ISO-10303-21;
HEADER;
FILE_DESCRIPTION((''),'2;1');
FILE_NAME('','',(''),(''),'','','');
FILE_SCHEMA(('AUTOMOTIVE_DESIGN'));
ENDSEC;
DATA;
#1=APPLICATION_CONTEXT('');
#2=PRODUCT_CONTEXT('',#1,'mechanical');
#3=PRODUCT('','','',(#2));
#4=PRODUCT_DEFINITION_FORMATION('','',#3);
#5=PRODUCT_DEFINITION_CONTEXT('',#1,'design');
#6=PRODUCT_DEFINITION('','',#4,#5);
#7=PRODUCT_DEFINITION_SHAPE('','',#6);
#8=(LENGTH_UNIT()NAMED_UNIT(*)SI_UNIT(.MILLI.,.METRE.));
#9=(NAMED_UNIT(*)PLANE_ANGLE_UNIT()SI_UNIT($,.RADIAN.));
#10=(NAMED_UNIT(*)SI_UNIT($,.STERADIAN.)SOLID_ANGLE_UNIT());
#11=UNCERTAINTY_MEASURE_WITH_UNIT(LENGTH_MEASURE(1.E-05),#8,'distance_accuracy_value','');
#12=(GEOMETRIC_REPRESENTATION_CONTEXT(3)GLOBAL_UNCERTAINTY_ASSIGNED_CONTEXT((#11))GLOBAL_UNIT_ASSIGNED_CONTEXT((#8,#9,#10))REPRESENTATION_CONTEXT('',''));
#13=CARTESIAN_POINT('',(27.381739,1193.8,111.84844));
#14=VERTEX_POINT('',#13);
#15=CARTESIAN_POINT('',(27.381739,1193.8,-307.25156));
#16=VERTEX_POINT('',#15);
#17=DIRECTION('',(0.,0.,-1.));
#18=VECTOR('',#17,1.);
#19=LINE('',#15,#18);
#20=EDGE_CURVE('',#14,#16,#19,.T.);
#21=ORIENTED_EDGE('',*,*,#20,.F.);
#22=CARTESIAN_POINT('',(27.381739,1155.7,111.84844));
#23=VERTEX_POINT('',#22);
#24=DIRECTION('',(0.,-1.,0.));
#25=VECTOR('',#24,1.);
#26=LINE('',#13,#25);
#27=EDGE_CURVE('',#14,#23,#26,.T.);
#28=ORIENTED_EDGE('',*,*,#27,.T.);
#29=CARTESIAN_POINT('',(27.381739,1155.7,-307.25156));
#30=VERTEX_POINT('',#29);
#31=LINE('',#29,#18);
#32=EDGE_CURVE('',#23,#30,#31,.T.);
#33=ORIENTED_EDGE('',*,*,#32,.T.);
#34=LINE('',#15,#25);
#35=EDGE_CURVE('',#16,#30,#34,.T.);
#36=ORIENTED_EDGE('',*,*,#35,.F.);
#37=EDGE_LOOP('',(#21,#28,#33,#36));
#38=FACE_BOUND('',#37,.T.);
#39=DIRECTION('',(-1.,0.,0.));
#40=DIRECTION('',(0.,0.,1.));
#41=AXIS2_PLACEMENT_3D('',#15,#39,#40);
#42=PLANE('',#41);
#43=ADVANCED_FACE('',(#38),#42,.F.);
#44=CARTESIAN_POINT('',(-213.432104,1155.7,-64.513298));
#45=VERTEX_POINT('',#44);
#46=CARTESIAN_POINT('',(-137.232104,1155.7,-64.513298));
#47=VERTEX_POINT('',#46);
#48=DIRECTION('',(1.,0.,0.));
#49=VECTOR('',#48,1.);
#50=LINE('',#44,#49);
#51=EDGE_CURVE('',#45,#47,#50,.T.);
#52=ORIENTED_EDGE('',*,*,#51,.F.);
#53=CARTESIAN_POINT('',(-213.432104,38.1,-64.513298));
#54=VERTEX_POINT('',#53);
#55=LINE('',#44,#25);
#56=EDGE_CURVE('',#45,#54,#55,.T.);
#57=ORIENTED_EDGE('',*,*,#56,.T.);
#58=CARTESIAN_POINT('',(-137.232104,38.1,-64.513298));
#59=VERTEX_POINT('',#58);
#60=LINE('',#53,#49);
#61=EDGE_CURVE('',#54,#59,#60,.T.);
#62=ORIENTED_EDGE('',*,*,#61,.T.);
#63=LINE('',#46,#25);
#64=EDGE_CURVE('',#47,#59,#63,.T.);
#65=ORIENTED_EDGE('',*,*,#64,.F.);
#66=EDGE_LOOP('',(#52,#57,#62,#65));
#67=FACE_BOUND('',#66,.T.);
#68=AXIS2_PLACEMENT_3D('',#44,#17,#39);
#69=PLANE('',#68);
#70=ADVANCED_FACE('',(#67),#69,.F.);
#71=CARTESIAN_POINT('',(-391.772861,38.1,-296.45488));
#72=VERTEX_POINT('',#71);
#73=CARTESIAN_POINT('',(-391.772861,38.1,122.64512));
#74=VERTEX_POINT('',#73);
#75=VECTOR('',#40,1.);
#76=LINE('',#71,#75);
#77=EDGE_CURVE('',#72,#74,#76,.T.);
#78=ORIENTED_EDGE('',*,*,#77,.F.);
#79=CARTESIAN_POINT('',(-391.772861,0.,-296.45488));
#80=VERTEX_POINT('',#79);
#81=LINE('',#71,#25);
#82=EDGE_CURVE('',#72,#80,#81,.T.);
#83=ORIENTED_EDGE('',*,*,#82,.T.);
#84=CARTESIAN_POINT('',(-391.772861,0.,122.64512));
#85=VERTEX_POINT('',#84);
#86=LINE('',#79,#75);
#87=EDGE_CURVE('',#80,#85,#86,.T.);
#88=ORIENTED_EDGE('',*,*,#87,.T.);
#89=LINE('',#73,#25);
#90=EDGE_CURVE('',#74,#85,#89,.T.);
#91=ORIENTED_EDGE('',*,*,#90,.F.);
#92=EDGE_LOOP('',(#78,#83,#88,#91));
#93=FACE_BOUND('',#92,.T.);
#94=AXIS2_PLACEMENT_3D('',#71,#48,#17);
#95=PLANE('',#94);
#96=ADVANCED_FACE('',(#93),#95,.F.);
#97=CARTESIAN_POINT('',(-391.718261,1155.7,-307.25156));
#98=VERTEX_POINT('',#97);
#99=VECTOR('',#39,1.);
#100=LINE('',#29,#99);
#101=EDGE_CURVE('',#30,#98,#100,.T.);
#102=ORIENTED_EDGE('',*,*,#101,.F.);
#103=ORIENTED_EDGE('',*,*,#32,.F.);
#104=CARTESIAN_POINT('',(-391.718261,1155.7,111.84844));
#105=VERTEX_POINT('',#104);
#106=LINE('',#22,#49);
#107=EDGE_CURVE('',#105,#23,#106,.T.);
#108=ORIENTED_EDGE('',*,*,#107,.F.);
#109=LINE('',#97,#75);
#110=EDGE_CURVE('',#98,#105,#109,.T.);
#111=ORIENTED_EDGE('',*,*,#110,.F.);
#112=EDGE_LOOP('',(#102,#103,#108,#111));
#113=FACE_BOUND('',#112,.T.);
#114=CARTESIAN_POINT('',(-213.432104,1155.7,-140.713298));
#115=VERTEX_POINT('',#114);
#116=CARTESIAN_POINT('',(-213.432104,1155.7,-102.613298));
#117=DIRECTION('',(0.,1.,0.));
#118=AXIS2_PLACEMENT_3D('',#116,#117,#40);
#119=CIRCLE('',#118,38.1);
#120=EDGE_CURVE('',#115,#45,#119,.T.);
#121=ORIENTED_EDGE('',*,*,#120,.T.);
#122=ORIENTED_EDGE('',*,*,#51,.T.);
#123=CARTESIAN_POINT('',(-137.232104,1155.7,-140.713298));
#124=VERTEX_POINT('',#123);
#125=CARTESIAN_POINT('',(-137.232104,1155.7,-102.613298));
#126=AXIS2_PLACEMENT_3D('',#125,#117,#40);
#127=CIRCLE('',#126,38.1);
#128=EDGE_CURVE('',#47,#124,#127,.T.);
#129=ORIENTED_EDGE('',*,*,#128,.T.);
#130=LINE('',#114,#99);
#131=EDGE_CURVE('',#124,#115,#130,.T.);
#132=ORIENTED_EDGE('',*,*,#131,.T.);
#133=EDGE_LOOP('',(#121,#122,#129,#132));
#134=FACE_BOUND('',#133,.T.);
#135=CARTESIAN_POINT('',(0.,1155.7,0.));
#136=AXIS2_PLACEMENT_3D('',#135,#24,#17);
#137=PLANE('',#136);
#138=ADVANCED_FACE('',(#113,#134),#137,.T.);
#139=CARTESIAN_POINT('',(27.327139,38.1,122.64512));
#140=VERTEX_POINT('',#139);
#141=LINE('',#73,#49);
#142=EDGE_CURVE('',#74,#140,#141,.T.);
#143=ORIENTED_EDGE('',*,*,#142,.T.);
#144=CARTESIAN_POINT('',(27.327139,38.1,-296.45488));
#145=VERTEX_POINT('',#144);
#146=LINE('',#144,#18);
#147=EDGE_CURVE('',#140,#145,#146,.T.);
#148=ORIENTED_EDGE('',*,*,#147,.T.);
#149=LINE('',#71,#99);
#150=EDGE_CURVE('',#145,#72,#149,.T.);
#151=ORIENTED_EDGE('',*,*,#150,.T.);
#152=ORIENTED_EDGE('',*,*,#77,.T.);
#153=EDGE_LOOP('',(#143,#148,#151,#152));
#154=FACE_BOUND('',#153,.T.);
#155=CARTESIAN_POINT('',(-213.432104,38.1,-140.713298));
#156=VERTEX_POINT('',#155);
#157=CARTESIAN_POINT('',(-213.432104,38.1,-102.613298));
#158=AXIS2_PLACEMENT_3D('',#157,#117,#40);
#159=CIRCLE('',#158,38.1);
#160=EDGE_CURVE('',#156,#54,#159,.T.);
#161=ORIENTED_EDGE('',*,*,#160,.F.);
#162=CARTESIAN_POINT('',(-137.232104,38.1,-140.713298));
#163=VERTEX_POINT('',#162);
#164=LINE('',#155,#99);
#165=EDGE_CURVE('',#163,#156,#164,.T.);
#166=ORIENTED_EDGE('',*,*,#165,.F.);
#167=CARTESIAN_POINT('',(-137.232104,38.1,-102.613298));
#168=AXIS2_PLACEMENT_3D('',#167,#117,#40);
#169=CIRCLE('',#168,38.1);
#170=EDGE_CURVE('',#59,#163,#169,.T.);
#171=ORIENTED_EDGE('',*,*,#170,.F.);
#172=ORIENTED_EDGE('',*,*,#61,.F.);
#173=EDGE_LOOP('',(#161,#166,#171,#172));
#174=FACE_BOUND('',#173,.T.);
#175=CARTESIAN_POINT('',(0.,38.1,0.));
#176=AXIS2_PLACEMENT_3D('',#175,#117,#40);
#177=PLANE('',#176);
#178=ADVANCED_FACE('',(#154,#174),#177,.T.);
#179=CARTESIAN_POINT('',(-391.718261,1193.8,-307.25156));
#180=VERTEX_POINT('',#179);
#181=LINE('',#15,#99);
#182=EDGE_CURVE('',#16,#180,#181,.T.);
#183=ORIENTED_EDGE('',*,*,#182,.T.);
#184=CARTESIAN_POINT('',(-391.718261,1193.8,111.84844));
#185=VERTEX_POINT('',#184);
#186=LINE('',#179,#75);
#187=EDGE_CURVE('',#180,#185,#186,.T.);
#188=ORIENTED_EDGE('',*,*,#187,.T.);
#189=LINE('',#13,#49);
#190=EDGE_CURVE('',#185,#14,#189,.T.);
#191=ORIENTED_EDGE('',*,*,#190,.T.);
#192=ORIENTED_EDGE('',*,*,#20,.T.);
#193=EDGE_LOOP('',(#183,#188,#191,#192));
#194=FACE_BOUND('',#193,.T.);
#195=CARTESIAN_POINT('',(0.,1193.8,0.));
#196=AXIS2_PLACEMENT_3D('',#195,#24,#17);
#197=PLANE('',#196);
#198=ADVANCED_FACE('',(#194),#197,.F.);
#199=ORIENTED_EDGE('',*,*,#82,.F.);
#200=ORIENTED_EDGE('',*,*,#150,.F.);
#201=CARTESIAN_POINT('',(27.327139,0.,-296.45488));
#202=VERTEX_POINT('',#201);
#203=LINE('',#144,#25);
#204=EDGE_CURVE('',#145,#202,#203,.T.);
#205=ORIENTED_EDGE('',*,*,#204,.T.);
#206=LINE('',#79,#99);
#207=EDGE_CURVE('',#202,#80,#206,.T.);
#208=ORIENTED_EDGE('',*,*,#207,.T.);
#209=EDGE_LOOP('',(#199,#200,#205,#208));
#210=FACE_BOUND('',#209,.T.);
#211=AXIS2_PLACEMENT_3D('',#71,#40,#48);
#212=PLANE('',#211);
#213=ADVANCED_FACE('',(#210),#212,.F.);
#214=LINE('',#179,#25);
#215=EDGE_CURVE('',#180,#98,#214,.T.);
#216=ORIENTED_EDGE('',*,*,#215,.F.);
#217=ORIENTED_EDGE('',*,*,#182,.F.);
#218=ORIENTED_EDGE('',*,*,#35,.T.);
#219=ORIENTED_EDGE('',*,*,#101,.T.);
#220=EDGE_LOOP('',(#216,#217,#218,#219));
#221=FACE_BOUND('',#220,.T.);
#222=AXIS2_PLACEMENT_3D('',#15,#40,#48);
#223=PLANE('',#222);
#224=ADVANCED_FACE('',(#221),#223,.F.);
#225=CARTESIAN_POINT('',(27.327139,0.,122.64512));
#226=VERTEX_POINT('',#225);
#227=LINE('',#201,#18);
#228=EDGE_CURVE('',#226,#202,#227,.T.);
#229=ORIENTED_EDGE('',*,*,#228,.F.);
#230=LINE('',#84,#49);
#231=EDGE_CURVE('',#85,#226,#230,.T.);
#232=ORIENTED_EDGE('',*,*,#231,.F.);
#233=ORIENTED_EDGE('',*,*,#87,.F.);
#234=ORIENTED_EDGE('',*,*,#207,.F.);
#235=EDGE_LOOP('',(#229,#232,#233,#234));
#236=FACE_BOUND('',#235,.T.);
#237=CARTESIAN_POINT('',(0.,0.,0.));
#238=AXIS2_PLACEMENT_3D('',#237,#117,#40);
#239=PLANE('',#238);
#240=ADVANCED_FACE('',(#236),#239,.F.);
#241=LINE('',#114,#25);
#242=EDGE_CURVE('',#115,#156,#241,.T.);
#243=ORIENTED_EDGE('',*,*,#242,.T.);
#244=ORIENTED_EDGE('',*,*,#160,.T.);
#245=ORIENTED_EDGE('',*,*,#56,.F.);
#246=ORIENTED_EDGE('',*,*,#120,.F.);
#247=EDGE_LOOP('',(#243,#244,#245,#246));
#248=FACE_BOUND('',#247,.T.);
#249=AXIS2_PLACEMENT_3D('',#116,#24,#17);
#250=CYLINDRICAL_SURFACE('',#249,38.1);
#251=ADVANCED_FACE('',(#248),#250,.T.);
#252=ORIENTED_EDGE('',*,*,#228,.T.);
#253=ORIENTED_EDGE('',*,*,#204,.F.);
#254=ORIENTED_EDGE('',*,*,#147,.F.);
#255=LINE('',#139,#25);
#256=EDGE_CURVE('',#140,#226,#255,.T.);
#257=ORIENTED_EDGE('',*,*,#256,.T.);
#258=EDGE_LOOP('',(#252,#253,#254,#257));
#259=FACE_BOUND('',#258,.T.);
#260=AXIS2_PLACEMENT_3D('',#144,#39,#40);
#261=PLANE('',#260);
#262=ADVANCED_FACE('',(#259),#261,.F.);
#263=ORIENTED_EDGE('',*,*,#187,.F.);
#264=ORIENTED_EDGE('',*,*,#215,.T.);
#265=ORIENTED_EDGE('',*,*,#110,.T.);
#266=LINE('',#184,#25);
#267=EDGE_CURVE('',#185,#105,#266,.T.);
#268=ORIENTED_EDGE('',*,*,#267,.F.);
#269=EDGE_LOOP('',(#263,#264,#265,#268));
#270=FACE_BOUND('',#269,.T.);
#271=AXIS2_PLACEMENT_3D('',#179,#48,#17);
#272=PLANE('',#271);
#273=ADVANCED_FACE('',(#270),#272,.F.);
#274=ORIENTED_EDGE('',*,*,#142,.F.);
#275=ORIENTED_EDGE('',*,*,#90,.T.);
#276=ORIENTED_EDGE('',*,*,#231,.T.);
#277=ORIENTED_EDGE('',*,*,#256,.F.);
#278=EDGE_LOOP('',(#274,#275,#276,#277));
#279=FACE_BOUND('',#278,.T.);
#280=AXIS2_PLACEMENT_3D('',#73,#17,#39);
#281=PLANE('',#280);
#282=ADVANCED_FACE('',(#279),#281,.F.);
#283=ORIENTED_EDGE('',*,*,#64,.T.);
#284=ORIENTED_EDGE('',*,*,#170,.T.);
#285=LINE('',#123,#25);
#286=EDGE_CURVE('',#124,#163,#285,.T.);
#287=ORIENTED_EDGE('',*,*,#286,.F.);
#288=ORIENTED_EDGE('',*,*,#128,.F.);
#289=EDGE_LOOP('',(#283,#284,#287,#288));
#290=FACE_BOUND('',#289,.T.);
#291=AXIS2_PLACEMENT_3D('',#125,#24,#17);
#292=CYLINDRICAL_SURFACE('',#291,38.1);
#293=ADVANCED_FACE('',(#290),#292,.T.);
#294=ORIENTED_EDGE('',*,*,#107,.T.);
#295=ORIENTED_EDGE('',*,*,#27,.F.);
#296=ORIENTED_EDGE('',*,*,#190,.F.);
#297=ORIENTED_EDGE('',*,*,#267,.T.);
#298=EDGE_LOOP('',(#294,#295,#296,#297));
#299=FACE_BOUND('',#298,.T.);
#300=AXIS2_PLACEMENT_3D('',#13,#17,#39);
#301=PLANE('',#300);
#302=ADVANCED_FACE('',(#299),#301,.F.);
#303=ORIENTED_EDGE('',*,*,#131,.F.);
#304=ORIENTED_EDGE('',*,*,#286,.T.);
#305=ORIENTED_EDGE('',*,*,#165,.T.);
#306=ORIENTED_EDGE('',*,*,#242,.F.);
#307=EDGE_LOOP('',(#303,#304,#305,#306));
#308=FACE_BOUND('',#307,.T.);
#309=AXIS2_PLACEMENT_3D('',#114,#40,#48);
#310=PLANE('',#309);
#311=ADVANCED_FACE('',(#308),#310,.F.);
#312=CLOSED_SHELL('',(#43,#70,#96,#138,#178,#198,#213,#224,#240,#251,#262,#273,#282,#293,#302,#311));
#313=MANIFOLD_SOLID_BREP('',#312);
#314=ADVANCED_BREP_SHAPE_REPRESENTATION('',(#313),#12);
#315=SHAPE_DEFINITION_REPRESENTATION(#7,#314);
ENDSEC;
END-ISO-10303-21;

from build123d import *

# Parameters (mm, degrees)
SKETCH1_W           = 419.1
SKETCH1_H           = 419.1
BOSS_EXTRUDE1_DEPTH = 38.1
BOSS_EXTRUDE2_DEPTH = 1117.6
SKETCH6_W           = 419.1
SKETCH6_H           = 419.1
BOSS_EXTRUDE4_DEPTH = 38.1


with BuildPart() as part:
    # Sketch1 → Boss-Extrude1 (new body)
    with BuildSketch(Plane(origin=(0, 0, 0), x_dir=(1, 0, 0), z_dir=(0, 1, 0))):
        with Locations((-182.222860504, 86.904880256)):
            Rectangle(SKETCH1_W, SKETCH1_H)
    extrude(amount=BOSS_EXTRUDE1_DEPTH)

    # Sketch4 → Boss-Extrude2 (add)
    with BuildSketch(Plane(origin=(0, 38.1, 0), x_dir=(1, 0, 0), z_dir=(0, 1, 0))):
        with BuildLine():
            Line((-213.432103513, 140.713298357), (-137.232103513, 140.713298357))
            ThreePointArc((-137.232103513, 140.713298357), (-99.132103513, 102.613298357), (-137.232103513, 64.513298357))
            Line((-137.232103513, 64.513298357), (-213.432103513, 64.513298357))
            ThreePointArc((-213.432103513, 64.513298357), (-251.532103513, 102.613298357), (-213.432103513, 140.713298357))
        make_face()
    extrude(amount=BOSS_EXTRUDE2_DEPTH)

    # Sketch6 → Boss-Extrude4 (add)
    with BuildSketch(Plane(origin=(0, 1155.7, 0), x_dir=(1, 0, 0), z_dir=(0, 1, 0))):
        with Locations((-182.168261088, 97.701559628)):
            Rectangle(SKETCH6_W, SKETCH6_H)
    extrude(amount=BOSS_EXTRUDE4_DEPTH)


solid = part.part
